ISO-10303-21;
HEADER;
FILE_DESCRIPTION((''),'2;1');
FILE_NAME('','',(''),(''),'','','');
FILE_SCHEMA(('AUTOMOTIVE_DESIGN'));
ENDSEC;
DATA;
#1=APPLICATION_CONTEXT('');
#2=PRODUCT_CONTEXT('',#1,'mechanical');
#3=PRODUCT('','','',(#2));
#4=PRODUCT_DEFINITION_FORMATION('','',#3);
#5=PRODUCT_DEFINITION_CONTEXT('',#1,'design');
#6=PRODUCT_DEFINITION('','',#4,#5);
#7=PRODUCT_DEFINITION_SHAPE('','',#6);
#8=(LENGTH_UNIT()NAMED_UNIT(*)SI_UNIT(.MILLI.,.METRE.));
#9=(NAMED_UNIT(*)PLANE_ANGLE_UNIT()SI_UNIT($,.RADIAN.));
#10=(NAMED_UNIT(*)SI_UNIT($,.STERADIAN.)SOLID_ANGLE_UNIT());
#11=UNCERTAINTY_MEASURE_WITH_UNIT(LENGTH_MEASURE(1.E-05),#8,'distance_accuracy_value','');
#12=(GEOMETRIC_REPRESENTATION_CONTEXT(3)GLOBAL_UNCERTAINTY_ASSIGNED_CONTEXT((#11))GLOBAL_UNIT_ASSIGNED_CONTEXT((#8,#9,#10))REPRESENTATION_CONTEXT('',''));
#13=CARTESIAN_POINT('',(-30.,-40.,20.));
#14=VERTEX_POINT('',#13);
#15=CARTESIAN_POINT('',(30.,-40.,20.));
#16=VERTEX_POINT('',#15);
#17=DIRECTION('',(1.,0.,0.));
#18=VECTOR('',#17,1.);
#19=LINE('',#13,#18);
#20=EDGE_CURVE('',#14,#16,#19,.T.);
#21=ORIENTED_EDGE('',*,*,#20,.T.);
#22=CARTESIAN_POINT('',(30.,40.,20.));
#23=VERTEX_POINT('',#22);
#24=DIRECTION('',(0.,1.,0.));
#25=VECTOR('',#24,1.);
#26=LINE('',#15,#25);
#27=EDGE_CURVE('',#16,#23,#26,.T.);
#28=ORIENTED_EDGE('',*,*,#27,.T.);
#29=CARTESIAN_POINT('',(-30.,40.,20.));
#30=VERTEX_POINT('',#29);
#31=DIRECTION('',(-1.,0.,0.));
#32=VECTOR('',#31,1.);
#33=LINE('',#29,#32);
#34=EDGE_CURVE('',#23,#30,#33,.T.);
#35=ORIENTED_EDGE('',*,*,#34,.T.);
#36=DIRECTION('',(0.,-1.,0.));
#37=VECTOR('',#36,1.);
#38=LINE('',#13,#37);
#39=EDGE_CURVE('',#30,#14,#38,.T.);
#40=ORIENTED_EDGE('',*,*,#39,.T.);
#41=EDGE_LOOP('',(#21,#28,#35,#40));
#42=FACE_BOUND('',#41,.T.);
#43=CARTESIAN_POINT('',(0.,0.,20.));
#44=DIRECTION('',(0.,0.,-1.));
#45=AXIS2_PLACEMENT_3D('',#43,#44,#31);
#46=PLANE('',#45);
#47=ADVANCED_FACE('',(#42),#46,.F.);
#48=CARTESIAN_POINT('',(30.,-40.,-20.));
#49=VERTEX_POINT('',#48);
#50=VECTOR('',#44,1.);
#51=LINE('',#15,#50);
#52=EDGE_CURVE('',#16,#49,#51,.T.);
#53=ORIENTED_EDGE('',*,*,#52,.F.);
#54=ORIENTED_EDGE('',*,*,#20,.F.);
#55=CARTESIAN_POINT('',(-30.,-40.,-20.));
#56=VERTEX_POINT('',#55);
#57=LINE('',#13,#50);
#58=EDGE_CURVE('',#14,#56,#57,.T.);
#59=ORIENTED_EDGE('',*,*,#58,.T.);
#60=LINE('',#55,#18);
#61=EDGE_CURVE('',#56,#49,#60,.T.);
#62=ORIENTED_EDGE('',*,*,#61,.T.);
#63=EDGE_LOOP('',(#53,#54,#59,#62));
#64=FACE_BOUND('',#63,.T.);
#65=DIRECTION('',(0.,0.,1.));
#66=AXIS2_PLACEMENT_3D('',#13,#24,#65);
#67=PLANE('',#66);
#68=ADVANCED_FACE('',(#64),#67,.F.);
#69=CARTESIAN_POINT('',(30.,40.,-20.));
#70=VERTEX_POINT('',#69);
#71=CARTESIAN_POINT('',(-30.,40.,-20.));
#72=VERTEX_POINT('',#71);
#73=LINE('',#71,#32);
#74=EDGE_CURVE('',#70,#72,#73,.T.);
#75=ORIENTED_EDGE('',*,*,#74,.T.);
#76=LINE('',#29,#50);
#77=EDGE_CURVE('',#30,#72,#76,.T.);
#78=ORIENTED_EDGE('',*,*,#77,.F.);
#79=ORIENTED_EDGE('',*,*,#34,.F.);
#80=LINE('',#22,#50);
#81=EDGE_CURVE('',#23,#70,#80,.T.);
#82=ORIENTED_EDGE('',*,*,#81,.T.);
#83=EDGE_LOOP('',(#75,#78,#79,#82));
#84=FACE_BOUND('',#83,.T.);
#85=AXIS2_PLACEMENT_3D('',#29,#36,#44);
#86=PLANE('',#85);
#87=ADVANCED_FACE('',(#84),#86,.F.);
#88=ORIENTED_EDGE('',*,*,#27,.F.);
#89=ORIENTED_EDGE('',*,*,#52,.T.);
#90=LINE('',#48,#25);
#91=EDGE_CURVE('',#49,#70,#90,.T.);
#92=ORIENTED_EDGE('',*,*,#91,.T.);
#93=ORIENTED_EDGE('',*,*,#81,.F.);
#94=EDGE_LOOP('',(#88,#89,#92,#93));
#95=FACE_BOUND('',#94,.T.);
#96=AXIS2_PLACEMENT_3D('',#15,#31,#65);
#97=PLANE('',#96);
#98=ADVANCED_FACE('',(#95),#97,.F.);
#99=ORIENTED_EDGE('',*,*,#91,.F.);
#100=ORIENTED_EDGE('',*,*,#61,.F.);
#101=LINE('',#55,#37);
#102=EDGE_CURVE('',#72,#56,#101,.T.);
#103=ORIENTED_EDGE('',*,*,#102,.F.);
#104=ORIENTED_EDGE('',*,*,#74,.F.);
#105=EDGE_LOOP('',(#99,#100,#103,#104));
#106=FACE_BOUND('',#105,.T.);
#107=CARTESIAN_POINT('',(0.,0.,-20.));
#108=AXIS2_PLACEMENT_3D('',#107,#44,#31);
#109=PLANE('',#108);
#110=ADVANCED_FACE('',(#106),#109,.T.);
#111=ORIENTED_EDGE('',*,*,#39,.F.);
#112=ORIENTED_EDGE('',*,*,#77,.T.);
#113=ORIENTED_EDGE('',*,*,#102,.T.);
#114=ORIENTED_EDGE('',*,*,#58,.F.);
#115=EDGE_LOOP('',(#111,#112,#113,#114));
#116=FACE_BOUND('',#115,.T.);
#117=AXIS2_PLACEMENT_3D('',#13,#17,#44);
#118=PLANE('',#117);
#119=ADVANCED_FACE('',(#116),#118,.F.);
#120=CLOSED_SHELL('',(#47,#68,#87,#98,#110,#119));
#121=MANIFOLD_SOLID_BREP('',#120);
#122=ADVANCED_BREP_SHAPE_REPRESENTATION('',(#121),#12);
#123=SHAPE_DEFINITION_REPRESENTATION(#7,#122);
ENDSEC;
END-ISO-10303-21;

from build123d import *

# Parameters (mm, degrees)
SKETCH_1_W      = 60
SKETCH_1_H      = 80
EXTRUDE_1_DEPTH = 20


with BuildPart() as part:
    # ｽｹｯﾁ1 → ﾎﾞｽ - 押し出し1 (new, symmetric)
    with BuildSketch(Plane.XY):
        Rectangle(SKETCH_1_W, SKETCH_1_H)
    extrude(amount=EXTRUDE_1_DEPTH, both=True)


solid = part.part
